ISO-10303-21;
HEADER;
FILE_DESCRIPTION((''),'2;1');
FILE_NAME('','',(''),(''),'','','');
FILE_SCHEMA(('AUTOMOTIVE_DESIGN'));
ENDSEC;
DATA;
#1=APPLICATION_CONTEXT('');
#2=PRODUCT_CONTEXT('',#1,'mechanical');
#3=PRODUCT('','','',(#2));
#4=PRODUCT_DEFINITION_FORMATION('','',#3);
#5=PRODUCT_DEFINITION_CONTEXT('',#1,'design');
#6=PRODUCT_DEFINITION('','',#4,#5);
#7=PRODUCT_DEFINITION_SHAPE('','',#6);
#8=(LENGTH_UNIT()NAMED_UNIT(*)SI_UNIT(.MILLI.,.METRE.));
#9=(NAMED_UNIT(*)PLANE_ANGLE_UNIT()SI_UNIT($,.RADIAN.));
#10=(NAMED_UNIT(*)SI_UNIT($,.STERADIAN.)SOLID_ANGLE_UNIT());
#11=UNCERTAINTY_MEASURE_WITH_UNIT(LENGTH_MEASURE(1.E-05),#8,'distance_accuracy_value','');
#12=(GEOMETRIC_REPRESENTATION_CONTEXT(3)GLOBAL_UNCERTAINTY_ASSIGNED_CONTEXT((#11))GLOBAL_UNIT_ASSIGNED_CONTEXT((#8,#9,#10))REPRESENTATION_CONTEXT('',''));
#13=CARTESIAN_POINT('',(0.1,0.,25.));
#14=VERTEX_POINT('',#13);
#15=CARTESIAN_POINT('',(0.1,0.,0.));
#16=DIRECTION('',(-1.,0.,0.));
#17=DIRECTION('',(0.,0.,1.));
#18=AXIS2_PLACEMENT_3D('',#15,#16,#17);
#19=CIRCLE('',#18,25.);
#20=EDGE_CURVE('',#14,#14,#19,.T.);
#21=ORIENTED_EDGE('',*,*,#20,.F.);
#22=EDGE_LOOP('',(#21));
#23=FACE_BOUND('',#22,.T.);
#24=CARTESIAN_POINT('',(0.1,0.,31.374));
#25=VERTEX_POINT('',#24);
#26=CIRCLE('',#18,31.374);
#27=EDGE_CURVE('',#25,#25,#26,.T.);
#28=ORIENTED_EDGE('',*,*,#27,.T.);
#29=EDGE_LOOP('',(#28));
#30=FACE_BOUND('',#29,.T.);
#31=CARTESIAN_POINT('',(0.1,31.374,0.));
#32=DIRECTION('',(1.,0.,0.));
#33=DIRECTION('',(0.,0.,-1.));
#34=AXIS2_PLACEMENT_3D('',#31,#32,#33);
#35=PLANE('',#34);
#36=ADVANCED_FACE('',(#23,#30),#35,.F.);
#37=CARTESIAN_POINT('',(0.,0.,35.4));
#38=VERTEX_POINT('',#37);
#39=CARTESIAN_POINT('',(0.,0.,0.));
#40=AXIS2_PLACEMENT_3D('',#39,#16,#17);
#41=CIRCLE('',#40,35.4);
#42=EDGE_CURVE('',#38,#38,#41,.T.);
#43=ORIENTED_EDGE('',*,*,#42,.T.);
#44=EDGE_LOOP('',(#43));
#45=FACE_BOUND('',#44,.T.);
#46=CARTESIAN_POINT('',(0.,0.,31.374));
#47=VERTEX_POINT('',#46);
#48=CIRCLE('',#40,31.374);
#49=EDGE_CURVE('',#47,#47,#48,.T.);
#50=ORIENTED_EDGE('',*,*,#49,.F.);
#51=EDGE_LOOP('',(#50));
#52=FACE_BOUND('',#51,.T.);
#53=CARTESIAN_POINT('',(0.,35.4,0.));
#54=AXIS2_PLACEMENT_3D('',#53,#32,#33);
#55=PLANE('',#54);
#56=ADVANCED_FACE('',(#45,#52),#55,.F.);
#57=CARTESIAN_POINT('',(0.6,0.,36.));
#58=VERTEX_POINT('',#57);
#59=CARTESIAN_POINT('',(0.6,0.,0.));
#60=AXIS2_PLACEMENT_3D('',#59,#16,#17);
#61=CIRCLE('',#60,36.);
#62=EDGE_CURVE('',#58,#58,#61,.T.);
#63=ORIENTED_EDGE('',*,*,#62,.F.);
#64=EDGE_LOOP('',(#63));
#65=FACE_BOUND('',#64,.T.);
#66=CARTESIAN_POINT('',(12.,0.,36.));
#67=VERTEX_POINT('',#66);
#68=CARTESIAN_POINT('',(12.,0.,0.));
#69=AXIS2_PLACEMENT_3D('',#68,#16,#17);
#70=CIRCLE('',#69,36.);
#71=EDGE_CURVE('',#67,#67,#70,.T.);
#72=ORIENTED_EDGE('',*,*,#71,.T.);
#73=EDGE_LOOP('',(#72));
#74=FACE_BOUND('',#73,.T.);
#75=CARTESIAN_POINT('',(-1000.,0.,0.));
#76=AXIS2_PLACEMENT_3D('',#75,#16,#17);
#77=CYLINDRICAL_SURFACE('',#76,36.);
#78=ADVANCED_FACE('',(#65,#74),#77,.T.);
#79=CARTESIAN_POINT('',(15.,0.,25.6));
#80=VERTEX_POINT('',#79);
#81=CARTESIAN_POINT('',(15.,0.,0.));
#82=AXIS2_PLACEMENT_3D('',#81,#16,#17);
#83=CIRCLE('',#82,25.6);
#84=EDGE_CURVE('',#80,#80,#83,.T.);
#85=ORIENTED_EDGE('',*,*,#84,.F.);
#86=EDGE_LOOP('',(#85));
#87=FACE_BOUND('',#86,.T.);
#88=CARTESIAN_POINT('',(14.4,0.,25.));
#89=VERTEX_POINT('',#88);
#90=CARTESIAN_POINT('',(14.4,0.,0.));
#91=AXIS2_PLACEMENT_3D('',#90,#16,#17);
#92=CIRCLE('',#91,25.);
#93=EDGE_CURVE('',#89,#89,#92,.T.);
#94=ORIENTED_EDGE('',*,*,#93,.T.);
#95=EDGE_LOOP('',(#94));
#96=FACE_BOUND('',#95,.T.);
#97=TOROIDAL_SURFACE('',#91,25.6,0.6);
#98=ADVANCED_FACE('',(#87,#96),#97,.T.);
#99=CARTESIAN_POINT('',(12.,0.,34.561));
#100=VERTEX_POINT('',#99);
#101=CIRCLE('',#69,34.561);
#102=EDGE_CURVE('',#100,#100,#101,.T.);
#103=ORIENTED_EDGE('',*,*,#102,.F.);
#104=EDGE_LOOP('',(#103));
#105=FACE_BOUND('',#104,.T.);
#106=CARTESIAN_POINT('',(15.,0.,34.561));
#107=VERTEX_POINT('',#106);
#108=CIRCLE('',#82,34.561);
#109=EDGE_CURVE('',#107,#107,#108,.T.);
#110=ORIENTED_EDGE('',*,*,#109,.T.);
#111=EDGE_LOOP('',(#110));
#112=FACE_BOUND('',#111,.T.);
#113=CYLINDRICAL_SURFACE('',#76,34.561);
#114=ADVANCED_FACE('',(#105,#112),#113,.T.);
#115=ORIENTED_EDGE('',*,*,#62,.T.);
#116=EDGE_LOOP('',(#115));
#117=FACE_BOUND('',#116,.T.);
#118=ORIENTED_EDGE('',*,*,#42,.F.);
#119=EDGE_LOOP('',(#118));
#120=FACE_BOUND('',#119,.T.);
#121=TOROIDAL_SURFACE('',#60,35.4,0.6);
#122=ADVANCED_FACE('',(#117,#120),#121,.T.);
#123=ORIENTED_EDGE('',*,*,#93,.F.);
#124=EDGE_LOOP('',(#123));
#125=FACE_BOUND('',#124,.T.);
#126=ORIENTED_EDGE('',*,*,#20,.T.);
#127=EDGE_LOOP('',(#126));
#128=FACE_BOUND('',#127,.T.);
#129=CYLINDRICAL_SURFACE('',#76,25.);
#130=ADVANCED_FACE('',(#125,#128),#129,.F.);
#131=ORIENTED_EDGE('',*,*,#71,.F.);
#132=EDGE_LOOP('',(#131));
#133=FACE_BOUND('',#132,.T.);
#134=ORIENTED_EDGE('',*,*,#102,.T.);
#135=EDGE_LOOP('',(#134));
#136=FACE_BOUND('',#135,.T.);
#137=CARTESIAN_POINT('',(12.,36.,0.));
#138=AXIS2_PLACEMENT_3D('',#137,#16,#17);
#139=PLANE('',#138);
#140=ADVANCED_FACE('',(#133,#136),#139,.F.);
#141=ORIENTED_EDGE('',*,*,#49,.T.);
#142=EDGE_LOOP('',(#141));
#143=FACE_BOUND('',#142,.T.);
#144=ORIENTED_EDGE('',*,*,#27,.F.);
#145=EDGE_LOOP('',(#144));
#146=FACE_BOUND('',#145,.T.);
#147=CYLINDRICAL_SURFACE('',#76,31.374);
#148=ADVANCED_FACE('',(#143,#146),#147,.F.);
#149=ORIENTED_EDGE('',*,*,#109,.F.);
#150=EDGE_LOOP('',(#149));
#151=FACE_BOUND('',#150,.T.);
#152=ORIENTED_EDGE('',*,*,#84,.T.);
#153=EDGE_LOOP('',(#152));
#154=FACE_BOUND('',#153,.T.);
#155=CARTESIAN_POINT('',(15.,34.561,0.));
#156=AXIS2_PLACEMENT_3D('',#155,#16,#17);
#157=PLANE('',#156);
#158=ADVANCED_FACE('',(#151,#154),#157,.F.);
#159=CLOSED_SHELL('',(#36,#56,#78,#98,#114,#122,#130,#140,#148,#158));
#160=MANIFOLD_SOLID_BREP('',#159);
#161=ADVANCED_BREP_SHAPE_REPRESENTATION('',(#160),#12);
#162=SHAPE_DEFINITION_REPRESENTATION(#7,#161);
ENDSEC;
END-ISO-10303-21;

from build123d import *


with BuildPart() as part:
    # Эскиз1 → Повернуть1 (revolve)
    with BuildSketch(Plane.XY):
        with BuildLine():
            Line((0.6, 36), (12, 36))
            Line((12, 36), (12, 34.561))
            Line((12, 34.561), (15, 34.561))
            Line((15, 34.561), (15, 25.6))
            ThreePointArc((15, 25.6), (14.824264069, 25.175735931), (14.4, 25))
            Line((14.4, 25), (0.1, 25))
            Line((0.1, 25), (0.1, 31.374))
            Line((0.1, 31.374), (0, 31.374))
            Line((0, 31.374), (0, 35.4))
            ThreePointArc((0, 35.4), (0.175735931, 35.824264069), (0.6, 36))
        make_face()
    revolve(axis=Axis((-1000, 0, 0), (1, 0, 0)))


solid = part.part
